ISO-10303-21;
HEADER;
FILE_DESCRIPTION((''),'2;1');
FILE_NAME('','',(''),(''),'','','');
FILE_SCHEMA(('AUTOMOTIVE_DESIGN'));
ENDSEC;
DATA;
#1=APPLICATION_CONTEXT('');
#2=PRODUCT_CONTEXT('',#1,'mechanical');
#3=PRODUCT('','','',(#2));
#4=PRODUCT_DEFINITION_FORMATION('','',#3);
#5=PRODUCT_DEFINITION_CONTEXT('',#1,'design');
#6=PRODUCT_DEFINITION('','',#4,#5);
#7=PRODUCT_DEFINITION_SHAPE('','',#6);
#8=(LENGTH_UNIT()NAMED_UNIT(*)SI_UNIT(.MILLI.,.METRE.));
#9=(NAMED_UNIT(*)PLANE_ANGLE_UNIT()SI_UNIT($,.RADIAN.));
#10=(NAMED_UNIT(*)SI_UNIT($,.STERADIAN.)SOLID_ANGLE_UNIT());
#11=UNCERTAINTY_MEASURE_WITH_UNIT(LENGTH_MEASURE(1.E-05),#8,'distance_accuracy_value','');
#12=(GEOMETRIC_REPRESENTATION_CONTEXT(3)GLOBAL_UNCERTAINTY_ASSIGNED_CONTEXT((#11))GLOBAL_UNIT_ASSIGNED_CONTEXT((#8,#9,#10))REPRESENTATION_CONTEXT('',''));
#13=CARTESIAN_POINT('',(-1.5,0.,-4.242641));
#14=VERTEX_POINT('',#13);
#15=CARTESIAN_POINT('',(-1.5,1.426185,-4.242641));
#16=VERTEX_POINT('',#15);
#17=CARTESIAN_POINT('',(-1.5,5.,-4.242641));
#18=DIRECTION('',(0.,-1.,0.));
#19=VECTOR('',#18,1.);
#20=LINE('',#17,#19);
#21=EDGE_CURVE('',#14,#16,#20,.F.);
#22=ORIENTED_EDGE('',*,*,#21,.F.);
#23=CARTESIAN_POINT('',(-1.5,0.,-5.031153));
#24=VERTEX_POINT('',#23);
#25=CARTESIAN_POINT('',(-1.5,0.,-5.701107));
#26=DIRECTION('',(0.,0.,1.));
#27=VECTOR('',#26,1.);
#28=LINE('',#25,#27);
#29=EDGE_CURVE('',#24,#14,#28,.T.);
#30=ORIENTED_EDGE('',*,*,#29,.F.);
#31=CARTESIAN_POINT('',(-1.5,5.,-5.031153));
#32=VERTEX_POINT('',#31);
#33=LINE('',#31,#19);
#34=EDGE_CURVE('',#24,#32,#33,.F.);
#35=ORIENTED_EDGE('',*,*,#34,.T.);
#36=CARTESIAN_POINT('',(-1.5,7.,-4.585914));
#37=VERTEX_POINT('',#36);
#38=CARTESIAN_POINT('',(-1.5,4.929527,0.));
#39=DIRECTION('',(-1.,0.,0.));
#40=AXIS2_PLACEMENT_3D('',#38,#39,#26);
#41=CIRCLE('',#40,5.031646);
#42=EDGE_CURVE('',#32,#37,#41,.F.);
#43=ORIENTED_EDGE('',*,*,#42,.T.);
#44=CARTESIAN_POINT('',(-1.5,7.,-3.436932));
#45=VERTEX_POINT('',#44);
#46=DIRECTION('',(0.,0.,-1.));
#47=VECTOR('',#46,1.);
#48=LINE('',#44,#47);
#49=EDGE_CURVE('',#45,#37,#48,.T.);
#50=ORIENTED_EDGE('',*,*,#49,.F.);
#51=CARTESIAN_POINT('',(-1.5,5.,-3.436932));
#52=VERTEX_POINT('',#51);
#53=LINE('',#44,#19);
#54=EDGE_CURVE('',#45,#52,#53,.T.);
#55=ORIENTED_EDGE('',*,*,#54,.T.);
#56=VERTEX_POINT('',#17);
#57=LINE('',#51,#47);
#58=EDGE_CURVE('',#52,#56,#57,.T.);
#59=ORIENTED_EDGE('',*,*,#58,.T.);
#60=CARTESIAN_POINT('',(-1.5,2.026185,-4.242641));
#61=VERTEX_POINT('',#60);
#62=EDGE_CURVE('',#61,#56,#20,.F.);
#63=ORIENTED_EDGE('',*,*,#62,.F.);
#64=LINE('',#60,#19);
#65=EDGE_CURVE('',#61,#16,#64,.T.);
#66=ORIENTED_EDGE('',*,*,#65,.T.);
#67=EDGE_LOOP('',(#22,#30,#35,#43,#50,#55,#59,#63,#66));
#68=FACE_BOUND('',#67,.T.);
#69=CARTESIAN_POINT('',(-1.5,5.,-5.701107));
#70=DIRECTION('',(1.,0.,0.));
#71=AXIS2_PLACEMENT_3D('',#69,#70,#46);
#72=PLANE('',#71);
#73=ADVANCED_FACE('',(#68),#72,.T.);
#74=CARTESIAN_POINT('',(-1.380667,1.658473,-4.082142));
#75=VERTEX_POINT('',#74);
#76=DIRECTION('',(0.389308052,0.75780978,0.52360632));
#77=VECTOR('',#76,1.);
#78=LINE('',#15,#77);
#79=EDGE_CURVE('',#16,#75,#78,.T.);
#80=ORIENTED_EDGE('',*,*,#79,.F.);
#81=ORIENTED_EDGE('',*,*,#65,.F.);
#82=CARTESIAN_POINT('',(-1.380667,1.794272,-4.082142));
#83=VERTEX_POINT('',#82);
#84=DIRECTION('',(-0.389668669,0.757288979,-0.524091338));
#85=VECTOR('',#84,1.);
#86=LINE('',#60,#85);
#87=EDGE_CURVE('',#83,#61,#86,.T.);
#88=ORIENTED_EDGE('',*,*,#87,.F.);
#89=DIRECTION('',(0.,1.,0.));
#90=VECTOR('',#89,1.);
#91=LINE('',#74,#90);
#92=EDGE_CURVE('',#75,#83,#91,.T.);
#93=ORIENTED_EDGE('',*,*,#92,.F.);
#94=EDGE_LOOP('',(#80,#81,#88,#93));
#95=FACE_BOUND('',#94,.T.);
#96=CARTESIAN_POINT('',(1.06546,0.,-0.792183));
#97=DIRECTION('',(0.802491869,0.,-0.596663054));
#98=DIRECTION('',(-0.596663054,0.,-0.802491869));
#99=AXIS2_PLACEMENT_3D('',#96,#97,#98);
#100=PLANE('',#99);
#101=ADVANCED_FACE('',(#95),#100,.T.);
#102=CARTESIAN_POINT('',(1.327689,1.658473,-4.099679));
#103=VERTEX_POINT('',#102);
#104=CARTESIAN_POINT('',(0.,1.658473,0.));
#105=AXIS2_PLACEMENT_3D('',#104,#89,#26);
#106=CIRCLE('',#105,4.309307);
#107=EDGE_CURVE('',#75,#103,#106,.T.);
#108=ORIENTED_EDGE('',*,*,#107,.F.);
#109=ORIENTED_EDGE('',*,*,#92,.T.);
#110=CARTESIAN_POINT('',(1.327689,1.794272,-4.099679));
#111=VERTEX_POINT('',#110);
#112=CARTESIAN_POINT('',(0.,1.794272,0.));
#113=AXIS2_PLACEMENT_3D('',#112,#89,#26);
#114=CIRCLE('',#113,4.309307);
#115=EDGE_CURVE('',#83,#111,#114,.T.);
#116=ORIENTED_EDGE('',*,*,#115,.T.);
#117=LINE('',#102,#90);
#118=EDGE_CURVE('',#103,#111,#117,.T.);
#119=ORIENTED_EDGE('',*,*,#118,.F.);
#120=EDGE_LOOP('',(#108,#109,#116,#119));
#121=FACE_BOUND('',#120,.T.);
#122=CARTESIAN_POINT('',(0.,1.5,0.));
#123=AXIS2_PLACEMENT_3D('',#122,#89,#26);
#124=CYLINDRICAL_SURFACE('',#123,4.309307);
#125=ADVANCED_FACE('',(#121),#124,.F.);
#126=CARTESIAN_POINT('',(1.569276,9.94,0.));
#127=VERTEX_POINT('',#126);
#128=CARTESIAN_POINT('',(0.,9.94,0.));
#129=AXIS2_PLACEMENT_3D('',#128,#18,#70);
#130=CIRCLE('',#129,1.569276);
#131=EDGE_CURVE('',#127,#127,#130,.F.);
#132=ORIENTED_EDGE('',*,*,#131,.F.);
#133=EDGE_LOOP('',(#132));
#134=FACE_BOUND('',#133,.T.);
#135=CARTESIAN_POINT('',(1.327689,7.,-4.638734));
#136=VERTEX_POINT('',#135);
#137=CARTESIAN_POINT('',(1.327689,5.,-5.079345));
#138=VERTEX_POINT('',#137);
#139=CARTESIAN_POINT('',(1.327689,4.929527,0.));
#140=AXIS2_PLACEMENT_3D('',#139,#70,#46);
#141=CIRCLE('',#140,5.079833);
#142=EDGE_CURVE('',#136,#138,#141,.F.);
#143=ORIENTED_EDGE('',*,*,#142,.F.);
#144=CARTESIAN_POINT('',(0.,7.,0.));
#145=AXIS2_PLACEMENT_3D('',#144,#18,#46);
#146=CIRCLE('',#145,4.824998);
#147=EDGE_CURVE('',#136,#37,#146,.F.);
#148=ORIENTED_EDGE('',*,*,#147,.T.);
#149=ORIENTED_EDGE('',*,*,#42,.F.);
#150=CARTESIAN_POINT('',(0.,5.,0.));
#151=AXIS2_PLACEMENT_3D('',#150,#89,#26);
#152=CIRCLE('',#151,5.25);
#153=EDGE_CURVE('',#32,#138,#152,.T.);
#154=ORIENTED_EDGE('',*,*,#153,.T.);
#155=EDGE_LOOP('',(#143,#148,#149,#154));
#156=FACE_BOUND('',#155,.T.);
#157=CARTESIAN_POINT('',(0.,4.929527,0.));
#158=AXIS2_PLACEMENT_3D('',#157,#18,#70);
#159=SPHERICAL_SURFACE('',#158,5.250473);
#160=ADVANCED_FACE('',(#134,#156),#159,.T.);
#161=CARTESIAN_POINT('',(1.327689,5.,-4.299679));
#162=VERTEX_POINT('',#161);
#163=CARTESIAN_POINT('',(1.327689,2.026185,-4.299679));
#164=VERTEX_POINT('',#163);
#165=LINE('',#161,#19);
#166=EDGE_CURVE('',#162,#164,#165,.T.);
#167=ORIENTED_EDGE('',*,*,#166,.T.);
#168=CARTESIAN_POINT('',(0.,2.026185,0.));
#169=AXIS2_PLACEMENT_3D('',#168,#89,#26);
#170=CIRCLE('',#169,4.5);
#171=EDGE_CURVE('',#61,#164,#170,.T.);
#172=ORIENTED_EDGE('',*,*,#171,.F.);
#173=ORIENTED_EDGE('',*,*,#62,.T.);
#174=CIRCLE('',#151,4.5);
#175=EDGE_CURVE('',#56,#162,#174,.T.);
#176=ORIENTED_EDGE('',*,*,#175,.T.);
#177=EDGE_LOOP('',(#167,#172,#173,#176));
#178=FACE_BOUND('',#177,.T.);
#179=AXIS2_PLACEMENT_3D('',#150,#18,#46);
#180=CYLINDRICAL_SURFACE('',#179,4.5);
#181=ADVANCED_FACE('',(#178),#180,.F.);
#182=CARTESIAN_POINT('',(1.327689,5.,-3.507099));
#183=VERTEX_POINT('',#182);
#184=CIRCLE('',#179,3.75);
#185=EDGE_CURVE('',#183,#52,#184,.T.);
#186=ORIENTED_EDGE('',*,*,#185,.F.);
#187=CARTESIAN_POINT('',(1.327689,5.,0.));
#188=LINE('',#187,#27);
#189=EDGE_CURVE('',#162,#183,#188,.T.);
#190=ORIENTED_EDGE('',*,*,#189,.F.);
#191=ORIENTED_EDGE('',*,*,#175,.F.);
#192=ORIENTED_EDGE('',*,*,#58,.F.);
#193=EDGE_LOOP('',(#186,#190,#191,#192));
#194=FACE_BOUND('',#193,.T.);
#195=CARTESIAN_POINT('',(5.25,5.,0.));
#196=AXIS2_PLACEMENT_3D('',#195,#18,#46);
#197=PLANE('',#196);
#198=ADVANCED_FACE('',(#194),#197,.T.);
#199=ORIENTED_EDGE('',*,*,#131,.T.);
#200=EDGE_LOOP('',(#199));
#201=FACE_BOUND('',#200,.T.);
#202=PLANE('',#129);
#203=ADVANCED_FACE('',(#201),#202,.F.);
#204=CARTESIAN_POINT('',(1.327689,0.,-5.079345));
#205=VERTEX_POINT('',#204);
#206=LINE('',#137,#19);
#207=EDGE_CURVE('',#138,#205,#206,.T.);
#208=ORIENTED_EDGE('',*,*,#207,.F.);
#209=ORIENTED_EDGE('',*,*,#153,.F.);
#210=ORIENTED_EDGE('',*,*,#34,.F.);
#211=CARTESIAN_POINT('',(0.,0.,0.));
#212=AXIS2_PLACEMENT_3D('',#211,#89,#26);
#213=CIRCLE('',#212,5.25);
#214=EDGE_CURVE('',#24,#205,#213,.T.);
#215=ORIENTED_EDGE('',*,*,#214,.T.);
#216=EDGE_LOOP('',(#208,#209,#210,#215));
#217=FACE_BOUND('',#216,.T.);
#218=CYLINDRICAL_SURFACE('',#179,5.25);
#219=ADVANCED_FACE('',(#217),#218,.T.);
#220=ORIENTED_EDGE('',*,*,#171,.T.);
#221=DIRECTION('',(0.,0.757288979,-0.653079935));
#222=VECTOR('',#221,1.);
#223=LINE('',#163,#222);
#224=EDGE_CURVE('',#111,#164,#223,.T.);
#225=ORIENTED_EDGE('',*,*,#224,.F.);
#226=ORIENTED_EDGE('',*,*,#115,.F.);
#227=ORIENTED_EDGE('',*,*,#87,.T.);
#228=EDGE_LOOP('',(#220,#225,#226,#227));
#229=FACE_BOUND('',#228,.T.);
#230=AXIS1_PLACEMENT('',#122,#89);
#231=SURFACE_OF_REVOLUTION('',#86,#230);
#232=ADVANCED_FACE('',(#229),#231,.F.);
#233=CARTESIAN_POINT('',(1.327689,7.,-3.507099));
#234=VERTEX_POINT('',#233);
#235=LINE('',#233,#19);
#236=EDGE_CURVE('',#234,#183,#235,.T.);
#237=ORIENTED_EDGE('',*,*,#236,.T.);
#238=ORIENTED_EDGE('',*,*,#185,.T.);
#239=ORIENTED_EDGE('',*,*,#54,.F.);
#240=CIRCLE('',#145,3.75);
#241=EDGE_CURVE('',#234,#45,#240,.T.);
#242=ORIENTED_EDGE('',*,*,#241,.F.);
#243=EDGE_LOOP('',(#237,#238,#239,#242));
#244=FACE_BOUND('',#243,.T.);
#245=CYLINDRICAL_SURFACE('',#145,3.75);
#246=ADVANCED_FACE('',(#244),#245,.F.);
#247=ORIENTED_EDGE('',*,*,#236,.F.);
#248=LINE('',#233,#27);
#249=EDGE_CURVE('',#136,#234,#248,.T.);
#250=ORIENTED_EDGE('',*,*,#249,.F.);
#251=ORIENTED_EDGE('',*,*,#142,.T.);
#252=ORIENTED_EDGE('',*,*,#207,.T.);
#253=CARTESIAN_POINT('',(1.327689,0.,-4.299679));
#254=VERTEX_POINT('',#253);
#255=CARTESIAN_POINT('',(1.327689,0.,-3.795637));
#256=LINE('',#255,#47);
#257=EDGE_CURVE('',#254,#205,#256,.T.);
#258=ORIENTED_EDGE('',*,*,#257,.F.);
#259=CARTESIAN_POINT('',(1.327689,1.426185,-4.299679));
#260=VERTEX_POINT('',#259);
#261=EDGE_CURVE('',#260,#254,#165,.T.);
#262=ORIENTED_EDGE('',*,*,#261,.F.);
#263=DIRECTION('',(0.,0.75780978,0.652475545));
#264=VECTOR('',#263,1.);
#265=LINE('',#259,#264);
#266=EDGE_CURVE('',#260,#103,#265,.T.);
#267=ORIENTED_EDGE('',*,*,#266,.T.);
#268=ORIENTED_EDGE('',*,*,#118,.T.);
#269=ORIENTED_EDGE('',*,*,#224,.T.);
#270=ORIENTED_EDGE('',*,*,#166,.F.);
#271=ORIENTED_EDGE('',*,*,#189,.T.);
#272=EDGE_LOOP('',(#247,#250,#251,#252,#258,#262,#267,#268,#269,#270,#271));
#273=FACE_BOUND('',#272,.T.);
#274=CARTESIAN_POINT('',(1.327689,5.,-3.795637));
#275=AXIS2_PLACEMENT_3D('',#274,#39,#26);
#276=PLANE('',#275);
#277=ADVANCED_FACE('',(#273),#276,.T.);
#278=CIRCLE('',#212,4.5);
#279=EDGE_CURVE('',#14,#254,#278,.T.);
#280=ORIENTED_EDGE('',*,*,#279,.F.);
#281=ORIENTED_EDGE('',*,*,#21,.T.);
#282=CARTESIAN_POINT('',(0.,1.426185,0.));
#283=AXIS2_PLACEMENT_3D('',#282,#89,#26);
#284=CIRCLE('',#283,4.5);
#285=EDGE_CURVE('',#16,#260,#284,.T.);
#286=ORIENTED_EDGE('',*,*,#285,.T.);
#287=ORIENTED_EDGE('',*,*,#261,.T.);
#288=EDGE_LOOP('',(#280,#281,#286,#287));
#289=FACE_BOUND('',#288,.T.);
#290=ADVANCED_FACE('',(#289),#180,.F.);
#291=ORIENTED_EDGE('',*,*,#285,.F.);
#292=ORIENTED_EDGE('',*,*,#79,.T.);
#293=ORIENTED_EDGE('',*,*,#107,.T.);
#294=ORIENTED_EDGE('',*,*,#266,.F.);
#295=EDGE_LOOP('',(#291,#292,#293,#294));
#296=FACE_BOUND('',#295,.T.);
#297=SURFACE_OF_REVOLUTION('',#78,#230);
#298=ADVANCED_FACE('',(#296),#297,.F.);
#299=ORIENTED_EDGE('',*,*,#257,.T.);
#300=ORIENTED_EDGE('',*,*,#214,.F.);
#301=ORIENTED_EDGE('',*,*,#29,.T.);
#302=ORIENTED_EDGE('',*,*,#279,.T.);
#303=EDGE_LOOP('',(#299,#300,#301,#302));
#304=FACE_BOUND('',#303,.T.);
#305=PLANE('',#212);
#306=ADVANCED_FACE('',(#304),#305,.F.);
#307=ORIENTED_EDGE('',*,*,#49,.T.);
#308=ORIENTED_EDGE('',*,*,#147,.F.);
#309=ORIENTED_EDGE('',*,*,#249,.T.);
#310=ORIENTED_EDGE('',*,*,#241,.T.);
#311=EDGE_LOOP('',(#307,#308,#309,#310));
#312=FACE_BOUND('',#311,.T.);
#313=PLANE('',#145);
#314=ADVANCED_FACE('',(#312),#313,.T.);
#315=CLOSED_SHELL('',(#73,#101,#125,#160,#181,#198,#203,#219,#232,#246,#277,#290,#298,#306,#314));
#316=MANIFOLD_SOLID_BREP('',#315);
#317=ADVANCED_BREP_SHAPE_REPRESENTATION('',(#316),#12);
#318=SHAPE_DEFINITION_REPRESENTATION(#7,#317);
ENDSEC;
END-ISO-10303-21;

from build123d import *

# Parameters (mm, degrees)
SKETCH1_R           = 5.25
SKETCH1_R_2         = 4.5
BOSS_EXTRUDE1_DEPTH = 5
CUT_EXTRUDE1_DEPTH  = 5
CUT_EXTRUDE2_DEPTH  = 2
SKETCH6_R           = 2
CUT_EXTRUDE4_DEPTH  = 0.35


with BuildPart() as part:
    # Sketch1 → Boss-Extrude1 (new body)
    with BuildSketch(Plane(origin=(0, 0, 0), x_dir=(1, 0, 0), z_dir=(0, 1, 0))):
        with Locations(Location((0, 0, 0), (0, 0, 270))):
            Circle(SKETCH1_R)
        with Locations(Location((0, 0, 0), (0, 0, 270))):
            Circle(SKETCH1_R_2, mode=Mode.SUBTRACT)
    extrude(amount=BOSS_EXTRUDE1_DEPTH)

    # Sketch2 → Cut-Extrude1 (cut)
    with BuildSketch(Plane(origin=(0, 0, 0), x_dir=(1, 0, 0), z_dir=(0, 1, 0))):
        Polygon((1.327689147, 3.795637322), (1.327689147, 5.701107087), (-1.5, 5.701107087), (-1.5, 3.701107087), align=None)
    extrude(amount=CUT_EXTRUDE1_DEPTH, mode=Mode.SUBTRACT)

    # Sketch4 → Revolve1 (revolve)
    with BuildSketch(Plane.XY):
        with BuildLine():
            Line((5.25, 5), (0, 5))
            Line((0, 5), (0, 10.18))
            ThreePointArc((0, 10.18), (3.687644912, 8.667004979), (5.25, 5))
        make_face()
    revolve(axis=Axis((0, 5, 0), (0, 1, 0)))

    # Sketch5 → Cut-Extrude2 (cut)
    with BuildSketch(Plane(origin=(0, 5, 0), x_dir=(-1, 0, 0), z_dir=(0, -1, 0))):
        with BuildLine():
            Line((1.5, 3.436931771), (1.5, 6))
            Line((1.5, 6), (-1.327689147, 6))
            Line((-1.327689147, 6), (-1.327689147, 3.507098734))
            ThreePointArc((-1.327689147, 3.507098734), (-0.093024772, -3.748846008), (1.5, 3.436931771))
        make_face()
    extrude(amount=-CUT_EXTRUDE2_DEPTH, mode=Mode.SUBTRACT)

    # Sketch6 → Cut-Extrude4 (cut)
    with BuildSketch(Plane(origin=(0, 10.29, 0), x_dir=(-1, 0, 0), z_dir=(0, -1, 0))):
        Circle(SKETCH6_R)
    extrude(amount=CUT_EXTRUDE4_DEPTH, mode=Mode.SUBTRACT)

    # Sweep1: sweep along a path in Sketch9
    with BuildLine(Plane(origin=(0, 1.5, 0), x_dir=(-1, 0, 0), z_dir=(0, -1, 0))) as sweep1_path:
        ThreePointArc((1.5, 4.242640687), (-0.090752997, -4.499084784), (-1.327689147, 4.299679236))
    # Friction Bump → Sweep1 (sweep)
    with BuildSketch(Plane.ZY.offset(-1.327689147)):
        Polygon((-4.299679236, 2.026185405), (-4.299679236, 1.426185405), (-4.099679236, 1.658472971), (-4.099679236, 1.7942723), align=None)
    sweep(path=sweep1_path.line)


solid = part.part
